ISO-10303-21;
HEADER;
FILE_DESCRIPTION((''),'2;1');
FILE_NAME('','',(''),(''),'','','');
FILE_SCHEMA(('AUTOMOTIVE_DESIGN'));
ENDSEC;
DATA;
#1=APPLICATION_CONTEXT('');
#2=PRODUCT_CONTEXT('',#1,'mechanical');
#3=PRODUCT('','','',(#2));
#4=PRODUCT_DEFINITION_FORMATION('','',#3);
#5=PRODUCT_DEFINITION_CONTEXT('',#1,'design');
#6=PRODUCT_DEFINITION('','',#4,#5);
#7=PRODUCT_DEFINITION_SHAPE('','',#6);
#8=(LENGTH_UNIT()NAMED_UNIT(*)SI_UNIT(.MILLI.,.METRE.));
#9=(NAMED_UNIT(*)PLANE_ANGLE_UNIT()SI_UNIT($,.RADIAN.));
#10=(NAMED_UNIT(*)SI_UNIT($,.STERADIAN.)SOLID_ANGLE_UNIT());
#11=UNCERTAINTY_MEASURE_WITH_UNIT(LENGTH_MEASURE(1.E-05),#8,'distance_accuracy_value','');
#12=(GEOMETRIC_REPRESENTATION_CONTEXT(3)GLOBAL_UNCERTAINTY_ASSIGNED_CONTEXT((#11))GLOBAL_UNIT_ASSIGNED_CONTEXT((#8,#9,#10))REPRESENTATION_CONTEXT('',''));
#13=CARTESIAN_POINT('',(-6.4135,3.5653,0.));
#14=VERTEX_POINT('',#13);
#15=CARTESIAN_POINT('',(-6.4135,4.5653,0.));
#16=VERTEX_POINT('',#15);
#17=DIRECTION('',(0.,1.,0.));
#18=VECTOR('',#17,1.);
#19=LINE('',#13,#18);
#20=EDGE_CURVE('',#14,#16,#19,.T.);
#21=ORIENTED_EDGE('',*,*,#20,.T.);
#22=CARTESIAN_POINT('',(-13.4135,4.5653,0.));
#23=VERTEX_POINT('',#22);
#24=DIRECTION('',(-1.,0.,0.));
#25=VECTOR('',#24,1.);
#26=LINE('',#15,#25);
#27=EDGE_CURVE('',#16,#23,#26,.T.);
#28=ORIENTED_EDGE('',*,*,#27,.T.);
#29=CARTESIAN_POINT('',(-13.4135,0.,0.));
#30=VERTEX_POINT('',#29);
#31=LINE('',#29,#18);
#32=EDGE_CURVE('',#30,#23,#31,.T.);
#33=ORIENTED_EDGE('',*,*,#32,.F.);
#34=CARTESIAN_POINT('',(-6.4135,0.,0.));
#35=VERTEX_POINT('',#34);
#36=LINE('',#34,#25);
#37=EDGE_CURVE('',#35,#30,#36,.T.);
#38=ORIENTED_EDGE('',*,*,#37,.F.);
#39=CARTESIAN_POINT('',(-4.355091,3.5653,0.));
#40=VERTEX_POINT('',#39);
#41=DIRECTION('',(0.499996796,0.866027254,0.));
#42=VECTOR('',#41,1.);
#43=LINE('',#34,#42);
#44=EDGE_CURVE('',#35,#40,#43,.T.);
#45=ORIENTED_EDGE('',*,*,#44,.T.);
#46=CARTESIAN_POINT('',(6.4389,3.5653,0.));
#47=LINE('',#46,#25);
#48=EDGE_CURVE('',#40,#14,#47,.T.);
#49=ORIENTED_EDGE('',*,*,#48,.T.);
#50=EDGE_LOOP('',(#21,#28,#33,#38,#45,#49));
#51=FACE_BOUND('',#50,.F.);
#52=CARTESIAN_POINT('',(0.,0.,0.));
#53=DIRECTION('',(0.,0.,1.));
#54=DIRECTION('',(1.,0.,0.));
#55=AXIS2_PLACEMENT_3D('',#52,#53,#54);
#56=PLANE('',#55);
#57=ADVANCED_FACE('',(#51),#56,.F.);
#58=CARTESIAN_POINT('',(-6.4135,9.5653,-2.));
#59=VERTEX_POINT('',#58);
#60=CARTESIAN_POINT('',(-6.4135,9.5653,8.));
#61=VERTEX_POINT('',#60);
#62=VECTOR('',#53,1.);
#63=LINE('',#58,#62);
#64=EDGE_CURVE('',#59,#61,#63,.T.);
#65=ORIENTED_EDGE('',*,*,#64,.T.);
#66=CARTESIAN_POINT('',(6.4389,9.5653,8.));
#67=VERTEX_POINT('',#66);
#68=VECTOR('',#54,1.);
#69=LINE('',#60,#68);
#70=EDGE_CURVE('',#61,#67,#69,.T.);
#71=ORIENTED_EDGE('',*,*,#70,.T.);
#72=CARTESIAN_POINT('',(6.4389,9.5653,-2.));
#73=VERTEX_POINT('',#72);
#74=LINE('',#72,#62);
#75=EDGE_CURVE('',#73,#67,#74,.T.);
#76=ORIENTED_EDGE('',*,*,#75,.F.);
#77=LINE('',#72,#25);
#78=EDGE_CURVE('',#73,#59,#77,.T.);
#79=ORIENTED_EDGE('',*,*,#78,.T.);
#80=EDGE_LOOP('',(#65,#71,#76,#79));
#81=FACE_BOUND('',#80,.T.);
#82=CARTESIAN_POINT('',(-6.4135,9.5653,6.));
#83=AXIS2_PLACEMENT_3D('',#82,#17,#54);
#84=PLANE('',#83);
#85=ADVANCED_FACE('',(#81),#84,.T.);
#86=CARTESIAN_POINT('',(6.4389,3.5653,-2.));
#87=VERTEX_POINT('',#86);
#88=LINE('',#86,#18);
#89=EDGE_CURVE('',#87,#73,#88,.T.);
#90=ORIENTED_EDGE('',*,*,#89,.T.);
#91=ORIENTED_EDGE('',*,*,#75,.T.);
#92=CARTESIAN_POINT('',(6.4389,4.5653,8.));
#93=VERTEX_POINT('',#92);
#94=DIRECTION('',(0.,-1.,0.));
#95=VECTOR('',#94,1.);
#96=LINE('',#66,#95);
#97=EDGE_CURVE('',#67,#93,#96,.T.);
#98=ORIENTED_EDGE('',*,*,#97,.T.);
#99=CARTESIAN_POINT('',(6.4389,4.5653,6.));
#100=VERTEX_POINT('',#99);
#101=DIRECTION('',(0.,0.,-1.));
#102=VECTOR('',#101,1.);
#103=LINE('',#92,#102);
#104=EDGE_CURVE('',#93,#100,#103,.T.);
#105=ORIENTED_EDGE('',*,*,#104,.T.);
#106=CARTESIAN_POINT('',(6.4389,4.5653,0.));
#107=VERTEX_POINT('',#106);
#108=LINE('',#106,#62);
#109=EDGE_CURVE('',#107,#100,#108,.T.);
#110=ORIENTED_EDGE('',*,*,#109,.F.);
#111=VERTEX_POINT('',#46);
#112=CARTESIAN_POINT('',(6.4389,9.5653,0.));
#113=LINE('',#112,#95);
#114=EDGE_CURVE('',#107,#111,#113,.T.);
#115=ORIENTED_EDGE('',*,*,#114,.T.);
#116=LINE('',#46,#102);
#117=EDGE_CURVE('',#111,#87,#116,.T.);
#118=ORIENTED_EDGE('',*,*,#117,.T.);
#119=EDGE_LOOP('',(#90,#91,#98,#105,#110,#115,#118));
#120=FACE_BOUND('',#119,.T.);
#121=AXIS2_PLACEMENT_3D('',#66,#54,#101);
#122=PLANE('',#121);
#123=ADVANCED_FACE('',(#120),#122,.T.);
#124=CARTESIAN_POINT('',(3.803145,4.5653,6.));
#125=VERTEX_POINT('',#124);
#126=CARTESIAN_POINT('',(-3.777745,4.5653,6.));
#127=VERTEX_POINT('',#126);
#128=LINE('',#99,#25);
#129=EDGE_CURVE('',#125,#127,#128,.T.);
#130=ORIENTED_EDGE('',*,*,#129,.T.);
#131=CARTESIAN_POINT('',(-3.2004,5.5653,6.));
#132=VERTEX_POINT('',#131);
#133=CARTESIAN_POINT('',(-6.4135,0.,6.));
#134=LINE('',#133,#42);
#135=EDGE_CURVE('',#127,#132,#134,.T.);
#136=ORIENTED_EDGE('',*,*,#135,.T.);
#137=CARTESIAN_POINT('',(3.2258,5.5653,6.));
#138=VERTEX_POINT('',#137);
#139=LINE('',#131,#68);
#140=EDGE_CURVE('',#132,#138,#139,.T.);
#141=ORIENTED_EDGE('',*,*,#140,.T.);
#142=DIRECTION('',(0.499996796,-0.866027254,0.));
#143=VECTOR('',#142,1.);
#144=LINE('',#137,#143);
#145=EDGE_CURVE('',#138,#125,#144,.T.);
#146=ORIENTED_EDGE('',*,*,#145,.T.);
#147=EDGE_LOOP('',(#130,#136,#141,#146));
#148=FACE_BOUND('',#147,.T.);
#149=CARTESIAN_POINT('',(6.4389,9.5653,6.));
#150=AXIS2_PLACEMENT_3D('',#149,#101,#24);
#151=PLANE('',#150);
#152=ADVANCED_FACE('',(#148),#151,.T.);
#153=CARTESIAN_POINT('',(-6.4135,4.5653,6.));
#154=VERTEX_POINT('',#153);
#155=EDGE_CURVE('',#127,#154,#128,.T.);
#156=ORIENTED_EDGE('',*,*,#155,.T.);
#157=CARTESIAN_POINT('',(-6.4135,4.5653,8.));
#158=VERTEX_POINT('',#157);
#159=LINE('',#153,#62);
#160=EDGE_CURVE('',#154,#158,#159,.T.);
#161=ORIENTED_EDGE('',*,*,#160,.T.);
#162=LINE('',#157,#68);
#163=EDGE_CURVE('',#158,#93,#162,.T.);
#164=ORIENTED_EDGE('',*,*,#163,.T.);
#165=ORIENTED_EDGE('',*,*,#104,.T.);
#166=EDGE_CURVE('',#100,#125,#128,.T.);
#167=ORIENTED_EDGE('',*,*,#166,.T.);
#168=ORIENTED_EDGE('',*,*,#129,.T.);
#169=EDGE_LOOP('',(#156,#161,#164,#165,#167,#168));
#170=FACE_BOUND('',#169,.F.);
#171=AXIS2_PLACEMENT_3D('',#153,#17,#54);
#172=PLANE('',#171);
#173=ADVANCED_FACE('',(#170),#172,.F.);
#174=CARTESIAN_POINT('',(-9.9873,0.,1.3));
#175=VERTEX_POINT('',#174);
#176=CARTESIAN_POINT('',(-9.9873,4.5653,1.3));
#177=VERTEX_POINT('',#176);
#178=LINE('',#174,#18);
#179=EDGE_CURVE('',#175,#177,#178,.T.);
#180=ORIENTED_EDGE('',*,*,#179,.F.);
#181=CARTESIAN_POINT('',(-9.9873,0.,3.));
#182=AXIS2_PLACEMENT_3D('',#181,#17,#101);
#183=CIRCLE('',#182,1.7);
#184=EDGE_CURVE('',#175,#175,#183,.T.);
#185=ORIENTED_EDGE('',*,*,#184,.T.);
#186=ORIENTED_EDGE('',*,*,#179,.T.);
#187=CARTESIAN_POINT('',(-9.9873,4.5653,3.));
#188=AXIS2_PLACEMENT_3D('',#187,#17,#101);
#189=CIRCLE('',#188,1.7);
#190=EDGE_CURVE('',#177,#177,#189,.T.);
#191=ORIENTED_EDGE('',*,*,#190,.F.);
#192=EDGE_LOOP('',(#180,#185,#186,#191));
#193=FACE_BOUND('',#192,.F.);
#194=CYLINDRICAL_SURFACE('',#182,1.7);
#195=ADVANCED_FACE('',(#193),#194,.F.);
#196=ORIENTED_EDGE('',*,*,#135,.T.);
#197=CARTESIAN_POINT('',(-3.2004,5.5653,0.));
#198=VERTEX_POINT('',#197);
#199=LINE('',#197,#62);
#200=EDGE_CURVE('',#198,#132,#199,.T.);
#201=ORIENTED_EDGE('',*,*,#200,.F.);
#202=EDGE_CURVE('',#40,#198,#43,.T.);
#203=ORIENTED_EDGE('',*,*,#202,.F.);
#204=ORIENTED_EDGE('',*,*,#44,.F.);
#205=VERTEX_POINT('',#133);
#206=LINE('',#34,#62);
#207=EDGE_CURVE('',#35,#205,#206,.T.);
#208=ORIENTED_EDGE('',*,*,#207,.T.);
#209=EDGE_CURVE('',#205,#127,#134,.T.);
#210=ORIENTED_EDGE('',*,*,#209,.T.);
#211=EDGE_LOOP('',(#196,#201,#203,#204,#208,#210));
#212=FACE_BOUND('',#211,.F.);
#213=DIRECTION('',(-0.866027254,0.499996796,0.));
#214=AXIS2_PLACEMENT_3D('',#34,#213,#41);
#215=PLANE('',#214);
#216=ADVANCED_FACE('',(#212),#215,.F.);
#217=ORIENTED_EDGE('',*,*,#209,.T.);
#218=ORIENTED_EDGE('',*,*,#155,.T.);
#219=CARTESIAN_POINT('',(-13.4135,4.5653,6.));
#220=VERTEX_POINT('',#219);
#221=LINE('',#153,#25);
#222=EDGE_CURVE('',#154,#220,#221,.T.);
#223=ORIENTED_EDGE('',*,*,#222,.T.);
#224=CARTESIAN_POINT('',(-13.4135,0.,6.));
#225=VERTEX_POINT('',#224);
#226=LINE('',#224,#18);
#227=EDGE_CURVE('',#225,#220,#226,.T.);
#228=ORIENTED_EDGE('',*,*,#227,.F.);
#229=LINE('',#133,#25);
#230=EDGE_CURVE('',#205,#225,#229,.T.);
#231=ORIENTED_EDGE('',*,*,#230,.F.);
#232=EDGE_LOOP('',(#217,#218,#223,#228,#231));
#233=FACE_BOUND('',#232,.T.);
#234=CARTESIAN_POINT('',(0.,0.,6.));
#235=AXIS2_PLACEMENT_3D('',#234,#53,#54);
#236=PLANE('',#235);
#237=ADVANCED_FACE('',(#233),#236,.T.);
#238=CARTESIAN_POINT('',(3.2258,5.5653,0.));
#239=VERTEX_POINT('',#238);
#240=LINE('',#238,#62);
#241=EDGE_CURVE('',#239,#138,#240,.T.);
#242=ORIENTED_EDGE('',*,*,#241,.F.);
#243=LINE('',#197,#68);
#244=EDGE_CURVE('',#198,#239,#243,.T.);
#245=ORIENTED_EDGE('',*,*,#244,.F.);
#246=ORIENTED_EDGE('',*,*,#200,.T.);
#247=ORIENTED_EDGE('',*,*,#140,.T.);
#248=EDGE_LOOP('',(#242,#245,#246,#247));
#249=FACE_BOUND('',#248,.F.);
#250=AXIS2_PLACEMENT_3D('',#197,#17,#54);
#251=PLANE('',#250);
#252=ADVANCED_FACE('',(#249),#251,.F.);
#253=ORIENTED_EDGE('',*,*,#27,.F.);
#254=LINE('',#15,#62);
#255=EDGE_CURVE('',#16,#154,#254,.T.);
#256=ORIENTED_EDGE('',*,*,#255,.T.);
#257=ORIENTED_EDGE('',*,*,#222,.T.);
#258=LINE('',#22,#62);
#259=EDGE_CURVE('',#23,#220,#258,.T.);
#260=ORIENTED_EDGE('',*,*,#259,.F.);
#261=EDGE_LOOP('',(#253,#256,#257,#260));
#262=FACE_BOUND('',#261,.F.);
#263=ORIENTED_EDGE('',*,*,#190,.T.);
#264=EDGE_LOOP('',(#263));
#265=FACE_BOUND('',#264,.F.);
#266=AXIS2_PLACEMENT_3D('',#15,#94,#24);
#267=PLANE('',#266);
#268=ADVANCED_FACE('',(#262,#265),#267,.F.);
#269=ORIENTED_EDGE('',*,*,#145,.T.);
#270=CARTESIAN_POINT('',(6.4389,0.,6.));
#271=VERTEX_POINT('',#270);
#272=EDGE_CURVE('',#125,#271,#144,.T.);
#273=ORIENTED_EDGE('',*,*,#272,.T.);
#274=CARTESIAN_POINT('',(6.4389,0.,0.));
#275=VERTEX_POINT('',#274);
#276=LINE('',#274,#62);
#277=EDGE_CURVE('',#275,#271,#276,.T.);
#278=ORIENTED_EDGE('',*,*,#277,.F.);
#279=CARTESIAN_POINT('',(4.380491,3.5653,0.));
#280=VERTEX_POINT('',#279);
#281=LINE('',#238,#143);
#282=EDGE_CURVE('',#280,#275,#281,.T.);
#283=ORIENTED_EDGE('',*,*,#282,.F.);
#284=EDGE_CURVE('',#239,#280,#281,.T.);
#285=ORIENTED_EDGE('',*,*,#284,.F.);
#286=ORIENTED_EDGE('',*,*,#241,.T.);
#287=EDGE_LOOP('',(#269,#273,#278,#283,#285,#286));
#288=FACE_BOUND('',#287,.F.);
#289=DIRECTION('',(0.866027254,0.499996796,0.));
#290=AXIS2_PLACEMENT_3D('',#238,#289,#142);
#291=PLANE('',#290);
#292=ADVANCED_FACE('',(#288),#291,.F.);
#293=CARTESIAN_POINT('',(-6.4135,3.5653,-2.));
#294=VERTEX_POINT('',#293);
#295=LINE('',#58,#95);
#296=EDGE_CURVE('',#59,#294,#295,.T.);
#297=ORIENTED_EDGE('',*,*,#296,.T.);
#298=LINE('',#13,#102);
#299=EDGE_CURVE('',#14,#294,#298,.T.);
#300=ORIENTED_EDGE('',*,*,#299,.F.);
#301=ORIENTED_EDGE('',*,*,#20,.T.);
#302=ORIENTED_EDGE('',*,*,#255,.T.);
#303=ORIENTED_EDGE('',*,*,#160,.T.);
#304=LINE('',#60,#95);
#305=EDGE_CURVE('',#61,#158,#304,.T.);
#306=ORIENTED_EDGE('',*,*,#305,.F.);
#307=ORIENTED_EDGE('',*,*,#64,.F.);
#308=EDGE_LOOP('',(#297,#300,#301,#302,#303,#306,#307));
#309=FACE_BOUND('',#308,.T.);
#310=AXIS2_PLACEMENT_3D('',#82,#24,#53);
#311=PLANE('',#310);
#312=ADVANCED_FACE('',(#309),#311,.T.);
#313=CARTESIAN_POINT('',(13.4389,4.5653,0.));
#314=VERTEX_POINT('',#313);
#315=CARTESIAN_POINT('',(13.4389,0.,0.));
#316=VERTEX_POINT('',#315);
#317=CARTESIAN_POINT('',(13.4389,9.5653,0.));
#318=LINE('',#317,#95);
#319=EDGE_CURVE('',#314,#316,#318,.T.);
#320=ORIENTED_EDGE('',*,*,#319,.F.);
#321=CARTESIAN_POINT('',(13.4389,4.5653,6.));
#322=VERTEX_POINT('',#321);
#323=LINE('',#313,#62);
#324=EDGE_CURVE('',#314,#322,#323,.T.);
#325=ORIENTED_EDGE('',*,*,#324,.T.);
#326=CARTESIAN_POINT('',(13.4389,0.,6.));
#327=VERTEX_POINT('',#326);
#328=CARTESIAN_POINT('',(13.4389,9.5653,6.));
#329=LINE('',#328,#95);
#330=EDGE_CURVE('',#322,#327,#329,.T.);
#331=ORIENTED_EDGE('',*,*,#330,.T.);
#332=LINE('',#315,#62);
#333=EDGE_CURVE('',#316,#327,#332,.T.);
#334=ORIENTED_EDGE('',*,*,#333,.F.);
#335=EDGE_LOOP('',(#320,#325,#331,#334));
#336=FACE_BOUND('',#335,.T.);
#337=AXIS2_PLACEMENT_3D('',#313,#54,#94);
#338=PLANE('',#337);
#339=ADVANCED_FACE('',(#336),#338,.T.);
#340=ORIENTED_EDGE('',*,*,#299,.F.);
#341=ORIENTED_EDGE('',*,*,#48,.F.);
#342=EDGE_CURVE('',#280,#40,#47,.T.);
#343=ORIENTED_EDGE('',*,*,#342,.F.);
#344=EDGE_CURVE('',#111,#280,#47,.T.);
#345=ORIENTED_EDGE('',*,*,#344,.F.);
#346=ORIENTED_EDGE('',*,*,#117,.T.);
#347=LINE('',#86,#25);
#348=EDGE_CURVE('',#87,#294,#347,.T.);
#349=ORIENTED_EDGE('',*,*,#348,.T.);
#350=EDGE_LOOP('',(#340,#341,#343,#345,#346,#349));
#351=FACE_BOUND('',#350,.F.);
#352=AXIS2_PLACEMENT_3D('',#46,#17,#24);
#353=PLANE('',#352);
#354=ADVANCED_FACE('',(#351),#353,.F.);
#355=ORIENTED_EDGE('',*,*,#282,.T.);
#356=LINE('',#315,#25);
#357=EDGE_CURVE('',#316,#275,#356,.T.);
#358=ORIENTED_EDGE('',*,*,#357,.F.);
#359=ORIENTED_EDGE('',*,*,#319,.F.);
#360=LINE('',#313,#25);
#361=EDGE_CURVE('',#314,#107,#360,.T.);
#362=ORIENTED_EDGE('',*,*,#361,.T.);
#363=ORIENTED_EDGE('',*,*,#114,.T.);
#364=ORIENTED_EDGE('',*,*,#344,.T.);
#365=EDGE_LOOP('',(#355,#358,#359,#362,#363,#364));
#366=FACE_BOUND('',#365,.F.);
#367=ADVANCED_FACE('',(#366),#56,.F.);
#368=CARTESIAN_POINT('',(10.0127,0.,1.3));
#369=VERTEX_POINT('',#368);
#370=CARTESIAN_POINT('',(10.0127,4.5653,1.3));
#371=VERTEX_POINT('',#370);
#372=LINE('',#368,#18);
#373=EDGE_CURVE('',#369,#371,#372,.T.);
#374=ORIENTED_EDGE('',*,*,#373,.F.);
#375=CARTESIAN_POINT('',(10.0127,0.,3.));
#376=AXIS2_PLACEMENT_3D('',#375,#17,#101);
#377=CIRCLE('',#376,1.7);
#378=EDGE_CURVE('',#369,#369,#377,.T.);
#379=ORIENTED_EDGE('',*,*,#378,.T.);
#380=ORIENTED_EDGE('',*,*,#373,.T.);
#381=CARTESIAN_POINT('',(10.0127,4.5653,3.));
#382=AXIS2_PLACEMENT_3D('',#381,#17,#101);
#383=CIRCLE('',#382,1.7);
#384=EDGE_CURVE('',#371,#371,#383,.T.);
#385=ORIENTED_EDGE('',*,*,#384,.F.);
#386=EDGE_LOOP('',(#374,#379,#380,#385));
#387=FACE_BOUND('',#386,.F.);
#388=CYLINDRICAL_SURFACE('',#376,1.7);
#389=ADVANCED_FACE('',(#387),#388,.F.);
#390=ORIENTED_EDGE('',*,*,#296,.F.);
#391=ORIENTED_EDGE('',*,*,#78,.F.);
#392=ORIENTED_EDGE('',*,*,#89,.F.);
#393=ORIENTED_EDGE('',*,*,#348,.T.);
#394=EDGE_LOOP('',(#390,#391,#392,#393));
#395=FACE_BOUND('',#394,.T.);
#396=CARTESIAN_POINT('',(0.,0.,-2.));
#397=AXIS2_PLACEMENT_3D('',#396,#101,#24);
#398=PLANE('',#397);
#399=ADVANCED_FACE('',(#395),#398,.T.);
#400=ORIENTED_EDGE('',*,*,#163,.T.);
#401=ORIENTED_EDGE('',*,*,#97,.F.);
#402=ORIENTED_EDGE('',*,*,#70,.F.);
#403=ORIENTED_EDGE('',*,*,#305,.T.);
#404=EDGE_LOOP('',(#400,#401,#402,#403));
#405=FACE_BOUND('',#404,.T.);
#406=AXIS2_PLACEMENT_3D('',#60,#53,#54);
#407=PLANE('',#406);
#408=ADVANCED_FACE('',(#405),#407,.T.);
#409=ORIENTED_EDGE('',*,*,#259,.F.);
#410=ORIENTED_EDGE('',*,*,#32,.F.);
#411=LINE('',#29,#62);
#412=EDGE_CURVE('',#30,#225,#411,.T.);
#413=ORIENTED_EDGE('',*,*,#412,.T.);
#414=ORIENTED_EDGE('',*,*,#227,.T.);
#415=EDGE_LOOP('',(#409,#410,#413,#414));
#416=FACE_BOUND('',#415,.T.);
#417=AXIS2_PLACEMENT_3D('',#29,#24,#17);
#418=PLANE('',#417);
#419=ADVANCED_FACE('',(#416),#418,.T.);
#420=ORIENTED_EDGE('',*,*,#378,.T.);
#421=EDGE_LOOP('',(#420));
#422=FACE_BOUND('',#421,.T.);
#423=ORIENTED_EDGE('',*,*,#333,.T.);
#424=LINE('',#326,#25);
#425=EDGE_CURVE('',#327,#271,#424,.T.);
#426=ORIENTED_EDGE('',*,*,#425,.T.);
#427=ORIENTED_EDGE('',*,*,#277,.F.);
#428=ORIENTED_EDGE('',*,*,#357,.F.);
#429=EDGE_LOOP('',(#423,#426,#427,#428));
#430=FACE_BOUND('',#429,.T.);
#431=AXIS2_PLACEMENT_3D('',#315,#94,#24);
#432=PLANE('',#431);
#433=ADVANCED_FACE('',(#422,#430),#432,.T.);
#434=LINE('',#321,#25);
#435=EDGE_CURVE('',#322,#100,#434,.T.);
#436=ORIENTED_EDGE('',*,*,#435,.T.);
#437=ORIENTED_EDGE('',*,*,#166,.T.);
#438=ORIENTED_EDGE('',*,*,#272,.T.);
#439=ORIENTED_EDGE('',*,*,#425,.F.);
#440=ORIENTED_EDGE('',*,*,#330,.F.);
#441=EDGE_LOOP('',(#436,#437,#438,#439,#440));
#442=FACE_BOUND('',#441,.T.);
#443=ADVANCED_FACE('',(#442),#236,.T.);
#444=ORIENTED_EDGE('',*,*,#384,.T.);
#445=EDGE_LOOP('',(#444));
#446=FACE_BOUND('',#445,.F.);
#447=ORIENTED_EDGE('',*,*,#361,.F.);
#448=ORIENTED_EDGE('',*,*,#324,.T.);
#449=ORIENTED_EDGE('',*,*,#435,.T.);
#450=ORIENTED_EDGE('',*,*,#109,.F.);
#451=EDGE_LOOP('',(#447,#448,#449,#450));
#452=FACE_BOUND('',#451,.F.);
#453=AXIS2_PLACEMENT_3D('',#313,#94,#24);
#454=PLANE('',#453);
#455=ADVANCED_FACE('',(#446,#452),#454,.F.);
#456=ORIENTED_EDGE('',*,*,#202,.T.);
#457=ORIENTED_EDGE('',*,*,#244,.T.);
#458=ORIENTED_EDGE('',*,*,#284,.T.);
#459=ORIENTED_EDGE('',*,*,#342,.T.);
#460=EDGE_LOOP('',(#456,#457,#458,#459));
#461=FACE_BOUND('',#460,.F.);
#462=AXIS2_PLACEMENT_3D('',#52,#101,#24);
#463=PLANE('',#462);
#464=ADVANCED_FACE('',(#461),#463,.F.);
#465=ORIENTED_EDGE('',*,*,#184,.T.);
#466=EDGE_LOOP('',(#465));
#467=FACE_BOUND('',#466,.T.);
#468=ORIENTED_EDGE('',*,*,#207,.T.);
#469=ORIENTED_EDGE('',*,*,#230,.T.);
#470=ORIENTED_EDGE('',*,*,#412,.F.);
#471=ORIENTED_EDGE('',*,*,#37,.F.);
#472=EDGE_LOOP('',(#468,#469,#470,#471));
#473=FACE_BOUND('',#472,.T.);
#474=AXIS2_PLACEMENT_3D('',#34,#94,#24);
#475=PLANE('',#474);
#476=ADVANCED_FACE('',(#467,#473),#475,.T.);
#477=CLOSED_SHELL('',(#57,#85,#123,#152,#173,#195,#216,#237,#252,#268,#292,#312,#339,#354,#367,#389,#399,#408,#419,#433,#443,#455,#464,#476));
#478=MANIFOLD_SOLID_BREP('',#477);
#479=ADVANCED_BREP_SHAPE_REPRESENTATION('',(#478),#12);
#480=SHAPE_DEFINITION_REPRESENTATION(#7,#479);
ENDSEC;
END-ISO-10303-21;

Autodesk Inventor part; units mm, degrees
ref_plane "YZ Plane" through (0, 0, 0) normal (1, 0, 0) x (0, 1, 0)
ref_plane "XZ Plane" through (0, 0, 0) normal (0, 1, 0) x (-1, 0, 0)
ref_plane "XY Plane" through (0, 0, 0) normal (0, 0, 1) x (1, 0, 0)
sketch "Sketch1" plane through (0, 0, 0) normal (0, 0, 1) x (1, 0, 0)
  line L0 (0, 0) -> (-6.4135, 0)
  line L1 (-6.4135, 0) -> (-3.2004, 5.5653)
  line L2 (-3.2004, 5.5653) -> (3.2258, 5.5653)
  line L3 (3.2258, 5.5653) -> (6.4389, 0)
  line L4 (6.4389, 0) -> (3.2258, -5.5653)
  line L5 (3.2258, -5.5653) -> (-3.2004, -5.5653)
  line L6 (-3.2004, -5.5653) -> (-6.4135, 0)
  line L7 (-6.4135, 0) -> (-13.4135, 0)
  line L8 (-6.4135, 0) -> (0.5865, 0) construction
  line L9 (-13.4135, 0) -> (-13.4135, 5.5653)
  line L10 (-13.4135, 5.5653) -> (-13.4135, 9.5653)
  line L11 (-13.4135, 9.5653) -> (13.4389, 9.5653)
  line L12 (13.4389, 9.5653) -> (13.4389, 0)
  line L13 (13.4389, 0) -> (6.4389, 0)
  line L14 (13.4389, 9.5653) -> (13.4389, 4.5653)
  line L15 (13.4389, 4.5653) -> (6.4389, 4.5653)
  line L16 (6.4389, 4.5653) -> (6.4389, 9.5653)
  line L17 (-13.4135, 9.5653) -> (-6.4135, 9.5653)
  line L18 (-6.4135, 9.5653) -> (-6.4135, 4.5653)
  line L19 (-6.4135, 4.5653) -> (-13.4135, 4.5653)
  dimension "d0" = 6.4135
  dimension "d1" = 6.4262
  dimension "d2" = 60
  dimension "d3" = 6.4262
  dimension "d4" = 120
  dimension "d5" = 6.4262
  dimension "d6" = 120
  dimension "d7" = 6.4262
  dimension "d8" = 120
  dimension "d9" = 6.4262
  dimension "d10" = 120
  dimension "d11" = 7
  dimension "d12" = 180
  dimension "d13" = 4
  dimension "d15" = 5
  dimension "d16" = 7
  dimension "d17" = 7
  dimension "d20" = 7
extrude "Extrusion1" add sketch "Sketch1" along normal blind 6 contours L7 L9 L19 L18 L11 L16 L15 L12 L13 L3 L2 L1
sketch "Sketch3" plane through (0, 0, 0) normal (0, 0, -1) x (-1, 0, 0)
  line L0 (-6.4389, 4.5653) -> (-6.4389, 9.5653) projected
  line L1 (-6.4389, 9.5653) -> (-6.4389, 3.5653)
  line L2 (-6.4389, 3.5653) -> (6.4135, 3.5653)
  line L3 (6.4135, 9.5653) -> (6.4135, 4.5653) projected
  line L4 (-6.4389, 9.5653) -> (6.4135, 9.5653) projected
  line L5 (6.4135, 3.5653) -> (6.4135, 9.5653)
  line L6 (6.4135, 9.5653) -> (-6.4389, 9.5653)
  point P0 (0, 0)
  point P1 (6.4135, 4.5653)
  point P2 (-6.4389, 4.5653)
  dimension "d30" = 6
extrude "Extrusion2" add sketch "Sketch3" along normal blind 2
sketch "Sketch4" plane through (-13.4135, 0, 0) normal (0, -1, 0) x (1, 0, 0)
  line L0 (0, 0) -> (0, 6) projected
  line L1 (0, 3) -> (26.8524, 3)
  line L2 (26.8524, 0) -> (26.8524, 6) projected
  line L3 (13.4262, 3) -> (3.4262, 3)
  line L4 (3.4262, 3) -> (23.4262, 3)
  point P0 (13.4135, 0)
  dimension "d36" = 10
  dimension "d37" = 20
  dimension "d38" = 0
hole "Hole2" at (-9.9873, 0, 3) at (10.0127, 0, 3) direction (0, 1, 0) diameter 3.4 end through all clearance for "Flat Head Machine Screw" size "M3" standard "Ansi Metric M Profile"
sketch "Sketch5" plane through (-6.4135, 9.5653, 6) normal (0, 1, 0) x (1, 0, 0)
  line L0 (12.8524, 6) -> (12.8524, 0) projected
  line L1 (12.8524, 0) -> (0, 0)
  line L2 (0, 0) -> (0, -2)
  line L3 (0, -2) -> (12.8524, -2)
  line L4 (12.8524, -2) -> (12.8524, 0)
  point P0 (6.4135, 6)
  dimension "d46" = 2
extrude "Extrusion3" add sketch "Sketch5" against normal blind 5
properties part number "shell 1.0 screw top"
